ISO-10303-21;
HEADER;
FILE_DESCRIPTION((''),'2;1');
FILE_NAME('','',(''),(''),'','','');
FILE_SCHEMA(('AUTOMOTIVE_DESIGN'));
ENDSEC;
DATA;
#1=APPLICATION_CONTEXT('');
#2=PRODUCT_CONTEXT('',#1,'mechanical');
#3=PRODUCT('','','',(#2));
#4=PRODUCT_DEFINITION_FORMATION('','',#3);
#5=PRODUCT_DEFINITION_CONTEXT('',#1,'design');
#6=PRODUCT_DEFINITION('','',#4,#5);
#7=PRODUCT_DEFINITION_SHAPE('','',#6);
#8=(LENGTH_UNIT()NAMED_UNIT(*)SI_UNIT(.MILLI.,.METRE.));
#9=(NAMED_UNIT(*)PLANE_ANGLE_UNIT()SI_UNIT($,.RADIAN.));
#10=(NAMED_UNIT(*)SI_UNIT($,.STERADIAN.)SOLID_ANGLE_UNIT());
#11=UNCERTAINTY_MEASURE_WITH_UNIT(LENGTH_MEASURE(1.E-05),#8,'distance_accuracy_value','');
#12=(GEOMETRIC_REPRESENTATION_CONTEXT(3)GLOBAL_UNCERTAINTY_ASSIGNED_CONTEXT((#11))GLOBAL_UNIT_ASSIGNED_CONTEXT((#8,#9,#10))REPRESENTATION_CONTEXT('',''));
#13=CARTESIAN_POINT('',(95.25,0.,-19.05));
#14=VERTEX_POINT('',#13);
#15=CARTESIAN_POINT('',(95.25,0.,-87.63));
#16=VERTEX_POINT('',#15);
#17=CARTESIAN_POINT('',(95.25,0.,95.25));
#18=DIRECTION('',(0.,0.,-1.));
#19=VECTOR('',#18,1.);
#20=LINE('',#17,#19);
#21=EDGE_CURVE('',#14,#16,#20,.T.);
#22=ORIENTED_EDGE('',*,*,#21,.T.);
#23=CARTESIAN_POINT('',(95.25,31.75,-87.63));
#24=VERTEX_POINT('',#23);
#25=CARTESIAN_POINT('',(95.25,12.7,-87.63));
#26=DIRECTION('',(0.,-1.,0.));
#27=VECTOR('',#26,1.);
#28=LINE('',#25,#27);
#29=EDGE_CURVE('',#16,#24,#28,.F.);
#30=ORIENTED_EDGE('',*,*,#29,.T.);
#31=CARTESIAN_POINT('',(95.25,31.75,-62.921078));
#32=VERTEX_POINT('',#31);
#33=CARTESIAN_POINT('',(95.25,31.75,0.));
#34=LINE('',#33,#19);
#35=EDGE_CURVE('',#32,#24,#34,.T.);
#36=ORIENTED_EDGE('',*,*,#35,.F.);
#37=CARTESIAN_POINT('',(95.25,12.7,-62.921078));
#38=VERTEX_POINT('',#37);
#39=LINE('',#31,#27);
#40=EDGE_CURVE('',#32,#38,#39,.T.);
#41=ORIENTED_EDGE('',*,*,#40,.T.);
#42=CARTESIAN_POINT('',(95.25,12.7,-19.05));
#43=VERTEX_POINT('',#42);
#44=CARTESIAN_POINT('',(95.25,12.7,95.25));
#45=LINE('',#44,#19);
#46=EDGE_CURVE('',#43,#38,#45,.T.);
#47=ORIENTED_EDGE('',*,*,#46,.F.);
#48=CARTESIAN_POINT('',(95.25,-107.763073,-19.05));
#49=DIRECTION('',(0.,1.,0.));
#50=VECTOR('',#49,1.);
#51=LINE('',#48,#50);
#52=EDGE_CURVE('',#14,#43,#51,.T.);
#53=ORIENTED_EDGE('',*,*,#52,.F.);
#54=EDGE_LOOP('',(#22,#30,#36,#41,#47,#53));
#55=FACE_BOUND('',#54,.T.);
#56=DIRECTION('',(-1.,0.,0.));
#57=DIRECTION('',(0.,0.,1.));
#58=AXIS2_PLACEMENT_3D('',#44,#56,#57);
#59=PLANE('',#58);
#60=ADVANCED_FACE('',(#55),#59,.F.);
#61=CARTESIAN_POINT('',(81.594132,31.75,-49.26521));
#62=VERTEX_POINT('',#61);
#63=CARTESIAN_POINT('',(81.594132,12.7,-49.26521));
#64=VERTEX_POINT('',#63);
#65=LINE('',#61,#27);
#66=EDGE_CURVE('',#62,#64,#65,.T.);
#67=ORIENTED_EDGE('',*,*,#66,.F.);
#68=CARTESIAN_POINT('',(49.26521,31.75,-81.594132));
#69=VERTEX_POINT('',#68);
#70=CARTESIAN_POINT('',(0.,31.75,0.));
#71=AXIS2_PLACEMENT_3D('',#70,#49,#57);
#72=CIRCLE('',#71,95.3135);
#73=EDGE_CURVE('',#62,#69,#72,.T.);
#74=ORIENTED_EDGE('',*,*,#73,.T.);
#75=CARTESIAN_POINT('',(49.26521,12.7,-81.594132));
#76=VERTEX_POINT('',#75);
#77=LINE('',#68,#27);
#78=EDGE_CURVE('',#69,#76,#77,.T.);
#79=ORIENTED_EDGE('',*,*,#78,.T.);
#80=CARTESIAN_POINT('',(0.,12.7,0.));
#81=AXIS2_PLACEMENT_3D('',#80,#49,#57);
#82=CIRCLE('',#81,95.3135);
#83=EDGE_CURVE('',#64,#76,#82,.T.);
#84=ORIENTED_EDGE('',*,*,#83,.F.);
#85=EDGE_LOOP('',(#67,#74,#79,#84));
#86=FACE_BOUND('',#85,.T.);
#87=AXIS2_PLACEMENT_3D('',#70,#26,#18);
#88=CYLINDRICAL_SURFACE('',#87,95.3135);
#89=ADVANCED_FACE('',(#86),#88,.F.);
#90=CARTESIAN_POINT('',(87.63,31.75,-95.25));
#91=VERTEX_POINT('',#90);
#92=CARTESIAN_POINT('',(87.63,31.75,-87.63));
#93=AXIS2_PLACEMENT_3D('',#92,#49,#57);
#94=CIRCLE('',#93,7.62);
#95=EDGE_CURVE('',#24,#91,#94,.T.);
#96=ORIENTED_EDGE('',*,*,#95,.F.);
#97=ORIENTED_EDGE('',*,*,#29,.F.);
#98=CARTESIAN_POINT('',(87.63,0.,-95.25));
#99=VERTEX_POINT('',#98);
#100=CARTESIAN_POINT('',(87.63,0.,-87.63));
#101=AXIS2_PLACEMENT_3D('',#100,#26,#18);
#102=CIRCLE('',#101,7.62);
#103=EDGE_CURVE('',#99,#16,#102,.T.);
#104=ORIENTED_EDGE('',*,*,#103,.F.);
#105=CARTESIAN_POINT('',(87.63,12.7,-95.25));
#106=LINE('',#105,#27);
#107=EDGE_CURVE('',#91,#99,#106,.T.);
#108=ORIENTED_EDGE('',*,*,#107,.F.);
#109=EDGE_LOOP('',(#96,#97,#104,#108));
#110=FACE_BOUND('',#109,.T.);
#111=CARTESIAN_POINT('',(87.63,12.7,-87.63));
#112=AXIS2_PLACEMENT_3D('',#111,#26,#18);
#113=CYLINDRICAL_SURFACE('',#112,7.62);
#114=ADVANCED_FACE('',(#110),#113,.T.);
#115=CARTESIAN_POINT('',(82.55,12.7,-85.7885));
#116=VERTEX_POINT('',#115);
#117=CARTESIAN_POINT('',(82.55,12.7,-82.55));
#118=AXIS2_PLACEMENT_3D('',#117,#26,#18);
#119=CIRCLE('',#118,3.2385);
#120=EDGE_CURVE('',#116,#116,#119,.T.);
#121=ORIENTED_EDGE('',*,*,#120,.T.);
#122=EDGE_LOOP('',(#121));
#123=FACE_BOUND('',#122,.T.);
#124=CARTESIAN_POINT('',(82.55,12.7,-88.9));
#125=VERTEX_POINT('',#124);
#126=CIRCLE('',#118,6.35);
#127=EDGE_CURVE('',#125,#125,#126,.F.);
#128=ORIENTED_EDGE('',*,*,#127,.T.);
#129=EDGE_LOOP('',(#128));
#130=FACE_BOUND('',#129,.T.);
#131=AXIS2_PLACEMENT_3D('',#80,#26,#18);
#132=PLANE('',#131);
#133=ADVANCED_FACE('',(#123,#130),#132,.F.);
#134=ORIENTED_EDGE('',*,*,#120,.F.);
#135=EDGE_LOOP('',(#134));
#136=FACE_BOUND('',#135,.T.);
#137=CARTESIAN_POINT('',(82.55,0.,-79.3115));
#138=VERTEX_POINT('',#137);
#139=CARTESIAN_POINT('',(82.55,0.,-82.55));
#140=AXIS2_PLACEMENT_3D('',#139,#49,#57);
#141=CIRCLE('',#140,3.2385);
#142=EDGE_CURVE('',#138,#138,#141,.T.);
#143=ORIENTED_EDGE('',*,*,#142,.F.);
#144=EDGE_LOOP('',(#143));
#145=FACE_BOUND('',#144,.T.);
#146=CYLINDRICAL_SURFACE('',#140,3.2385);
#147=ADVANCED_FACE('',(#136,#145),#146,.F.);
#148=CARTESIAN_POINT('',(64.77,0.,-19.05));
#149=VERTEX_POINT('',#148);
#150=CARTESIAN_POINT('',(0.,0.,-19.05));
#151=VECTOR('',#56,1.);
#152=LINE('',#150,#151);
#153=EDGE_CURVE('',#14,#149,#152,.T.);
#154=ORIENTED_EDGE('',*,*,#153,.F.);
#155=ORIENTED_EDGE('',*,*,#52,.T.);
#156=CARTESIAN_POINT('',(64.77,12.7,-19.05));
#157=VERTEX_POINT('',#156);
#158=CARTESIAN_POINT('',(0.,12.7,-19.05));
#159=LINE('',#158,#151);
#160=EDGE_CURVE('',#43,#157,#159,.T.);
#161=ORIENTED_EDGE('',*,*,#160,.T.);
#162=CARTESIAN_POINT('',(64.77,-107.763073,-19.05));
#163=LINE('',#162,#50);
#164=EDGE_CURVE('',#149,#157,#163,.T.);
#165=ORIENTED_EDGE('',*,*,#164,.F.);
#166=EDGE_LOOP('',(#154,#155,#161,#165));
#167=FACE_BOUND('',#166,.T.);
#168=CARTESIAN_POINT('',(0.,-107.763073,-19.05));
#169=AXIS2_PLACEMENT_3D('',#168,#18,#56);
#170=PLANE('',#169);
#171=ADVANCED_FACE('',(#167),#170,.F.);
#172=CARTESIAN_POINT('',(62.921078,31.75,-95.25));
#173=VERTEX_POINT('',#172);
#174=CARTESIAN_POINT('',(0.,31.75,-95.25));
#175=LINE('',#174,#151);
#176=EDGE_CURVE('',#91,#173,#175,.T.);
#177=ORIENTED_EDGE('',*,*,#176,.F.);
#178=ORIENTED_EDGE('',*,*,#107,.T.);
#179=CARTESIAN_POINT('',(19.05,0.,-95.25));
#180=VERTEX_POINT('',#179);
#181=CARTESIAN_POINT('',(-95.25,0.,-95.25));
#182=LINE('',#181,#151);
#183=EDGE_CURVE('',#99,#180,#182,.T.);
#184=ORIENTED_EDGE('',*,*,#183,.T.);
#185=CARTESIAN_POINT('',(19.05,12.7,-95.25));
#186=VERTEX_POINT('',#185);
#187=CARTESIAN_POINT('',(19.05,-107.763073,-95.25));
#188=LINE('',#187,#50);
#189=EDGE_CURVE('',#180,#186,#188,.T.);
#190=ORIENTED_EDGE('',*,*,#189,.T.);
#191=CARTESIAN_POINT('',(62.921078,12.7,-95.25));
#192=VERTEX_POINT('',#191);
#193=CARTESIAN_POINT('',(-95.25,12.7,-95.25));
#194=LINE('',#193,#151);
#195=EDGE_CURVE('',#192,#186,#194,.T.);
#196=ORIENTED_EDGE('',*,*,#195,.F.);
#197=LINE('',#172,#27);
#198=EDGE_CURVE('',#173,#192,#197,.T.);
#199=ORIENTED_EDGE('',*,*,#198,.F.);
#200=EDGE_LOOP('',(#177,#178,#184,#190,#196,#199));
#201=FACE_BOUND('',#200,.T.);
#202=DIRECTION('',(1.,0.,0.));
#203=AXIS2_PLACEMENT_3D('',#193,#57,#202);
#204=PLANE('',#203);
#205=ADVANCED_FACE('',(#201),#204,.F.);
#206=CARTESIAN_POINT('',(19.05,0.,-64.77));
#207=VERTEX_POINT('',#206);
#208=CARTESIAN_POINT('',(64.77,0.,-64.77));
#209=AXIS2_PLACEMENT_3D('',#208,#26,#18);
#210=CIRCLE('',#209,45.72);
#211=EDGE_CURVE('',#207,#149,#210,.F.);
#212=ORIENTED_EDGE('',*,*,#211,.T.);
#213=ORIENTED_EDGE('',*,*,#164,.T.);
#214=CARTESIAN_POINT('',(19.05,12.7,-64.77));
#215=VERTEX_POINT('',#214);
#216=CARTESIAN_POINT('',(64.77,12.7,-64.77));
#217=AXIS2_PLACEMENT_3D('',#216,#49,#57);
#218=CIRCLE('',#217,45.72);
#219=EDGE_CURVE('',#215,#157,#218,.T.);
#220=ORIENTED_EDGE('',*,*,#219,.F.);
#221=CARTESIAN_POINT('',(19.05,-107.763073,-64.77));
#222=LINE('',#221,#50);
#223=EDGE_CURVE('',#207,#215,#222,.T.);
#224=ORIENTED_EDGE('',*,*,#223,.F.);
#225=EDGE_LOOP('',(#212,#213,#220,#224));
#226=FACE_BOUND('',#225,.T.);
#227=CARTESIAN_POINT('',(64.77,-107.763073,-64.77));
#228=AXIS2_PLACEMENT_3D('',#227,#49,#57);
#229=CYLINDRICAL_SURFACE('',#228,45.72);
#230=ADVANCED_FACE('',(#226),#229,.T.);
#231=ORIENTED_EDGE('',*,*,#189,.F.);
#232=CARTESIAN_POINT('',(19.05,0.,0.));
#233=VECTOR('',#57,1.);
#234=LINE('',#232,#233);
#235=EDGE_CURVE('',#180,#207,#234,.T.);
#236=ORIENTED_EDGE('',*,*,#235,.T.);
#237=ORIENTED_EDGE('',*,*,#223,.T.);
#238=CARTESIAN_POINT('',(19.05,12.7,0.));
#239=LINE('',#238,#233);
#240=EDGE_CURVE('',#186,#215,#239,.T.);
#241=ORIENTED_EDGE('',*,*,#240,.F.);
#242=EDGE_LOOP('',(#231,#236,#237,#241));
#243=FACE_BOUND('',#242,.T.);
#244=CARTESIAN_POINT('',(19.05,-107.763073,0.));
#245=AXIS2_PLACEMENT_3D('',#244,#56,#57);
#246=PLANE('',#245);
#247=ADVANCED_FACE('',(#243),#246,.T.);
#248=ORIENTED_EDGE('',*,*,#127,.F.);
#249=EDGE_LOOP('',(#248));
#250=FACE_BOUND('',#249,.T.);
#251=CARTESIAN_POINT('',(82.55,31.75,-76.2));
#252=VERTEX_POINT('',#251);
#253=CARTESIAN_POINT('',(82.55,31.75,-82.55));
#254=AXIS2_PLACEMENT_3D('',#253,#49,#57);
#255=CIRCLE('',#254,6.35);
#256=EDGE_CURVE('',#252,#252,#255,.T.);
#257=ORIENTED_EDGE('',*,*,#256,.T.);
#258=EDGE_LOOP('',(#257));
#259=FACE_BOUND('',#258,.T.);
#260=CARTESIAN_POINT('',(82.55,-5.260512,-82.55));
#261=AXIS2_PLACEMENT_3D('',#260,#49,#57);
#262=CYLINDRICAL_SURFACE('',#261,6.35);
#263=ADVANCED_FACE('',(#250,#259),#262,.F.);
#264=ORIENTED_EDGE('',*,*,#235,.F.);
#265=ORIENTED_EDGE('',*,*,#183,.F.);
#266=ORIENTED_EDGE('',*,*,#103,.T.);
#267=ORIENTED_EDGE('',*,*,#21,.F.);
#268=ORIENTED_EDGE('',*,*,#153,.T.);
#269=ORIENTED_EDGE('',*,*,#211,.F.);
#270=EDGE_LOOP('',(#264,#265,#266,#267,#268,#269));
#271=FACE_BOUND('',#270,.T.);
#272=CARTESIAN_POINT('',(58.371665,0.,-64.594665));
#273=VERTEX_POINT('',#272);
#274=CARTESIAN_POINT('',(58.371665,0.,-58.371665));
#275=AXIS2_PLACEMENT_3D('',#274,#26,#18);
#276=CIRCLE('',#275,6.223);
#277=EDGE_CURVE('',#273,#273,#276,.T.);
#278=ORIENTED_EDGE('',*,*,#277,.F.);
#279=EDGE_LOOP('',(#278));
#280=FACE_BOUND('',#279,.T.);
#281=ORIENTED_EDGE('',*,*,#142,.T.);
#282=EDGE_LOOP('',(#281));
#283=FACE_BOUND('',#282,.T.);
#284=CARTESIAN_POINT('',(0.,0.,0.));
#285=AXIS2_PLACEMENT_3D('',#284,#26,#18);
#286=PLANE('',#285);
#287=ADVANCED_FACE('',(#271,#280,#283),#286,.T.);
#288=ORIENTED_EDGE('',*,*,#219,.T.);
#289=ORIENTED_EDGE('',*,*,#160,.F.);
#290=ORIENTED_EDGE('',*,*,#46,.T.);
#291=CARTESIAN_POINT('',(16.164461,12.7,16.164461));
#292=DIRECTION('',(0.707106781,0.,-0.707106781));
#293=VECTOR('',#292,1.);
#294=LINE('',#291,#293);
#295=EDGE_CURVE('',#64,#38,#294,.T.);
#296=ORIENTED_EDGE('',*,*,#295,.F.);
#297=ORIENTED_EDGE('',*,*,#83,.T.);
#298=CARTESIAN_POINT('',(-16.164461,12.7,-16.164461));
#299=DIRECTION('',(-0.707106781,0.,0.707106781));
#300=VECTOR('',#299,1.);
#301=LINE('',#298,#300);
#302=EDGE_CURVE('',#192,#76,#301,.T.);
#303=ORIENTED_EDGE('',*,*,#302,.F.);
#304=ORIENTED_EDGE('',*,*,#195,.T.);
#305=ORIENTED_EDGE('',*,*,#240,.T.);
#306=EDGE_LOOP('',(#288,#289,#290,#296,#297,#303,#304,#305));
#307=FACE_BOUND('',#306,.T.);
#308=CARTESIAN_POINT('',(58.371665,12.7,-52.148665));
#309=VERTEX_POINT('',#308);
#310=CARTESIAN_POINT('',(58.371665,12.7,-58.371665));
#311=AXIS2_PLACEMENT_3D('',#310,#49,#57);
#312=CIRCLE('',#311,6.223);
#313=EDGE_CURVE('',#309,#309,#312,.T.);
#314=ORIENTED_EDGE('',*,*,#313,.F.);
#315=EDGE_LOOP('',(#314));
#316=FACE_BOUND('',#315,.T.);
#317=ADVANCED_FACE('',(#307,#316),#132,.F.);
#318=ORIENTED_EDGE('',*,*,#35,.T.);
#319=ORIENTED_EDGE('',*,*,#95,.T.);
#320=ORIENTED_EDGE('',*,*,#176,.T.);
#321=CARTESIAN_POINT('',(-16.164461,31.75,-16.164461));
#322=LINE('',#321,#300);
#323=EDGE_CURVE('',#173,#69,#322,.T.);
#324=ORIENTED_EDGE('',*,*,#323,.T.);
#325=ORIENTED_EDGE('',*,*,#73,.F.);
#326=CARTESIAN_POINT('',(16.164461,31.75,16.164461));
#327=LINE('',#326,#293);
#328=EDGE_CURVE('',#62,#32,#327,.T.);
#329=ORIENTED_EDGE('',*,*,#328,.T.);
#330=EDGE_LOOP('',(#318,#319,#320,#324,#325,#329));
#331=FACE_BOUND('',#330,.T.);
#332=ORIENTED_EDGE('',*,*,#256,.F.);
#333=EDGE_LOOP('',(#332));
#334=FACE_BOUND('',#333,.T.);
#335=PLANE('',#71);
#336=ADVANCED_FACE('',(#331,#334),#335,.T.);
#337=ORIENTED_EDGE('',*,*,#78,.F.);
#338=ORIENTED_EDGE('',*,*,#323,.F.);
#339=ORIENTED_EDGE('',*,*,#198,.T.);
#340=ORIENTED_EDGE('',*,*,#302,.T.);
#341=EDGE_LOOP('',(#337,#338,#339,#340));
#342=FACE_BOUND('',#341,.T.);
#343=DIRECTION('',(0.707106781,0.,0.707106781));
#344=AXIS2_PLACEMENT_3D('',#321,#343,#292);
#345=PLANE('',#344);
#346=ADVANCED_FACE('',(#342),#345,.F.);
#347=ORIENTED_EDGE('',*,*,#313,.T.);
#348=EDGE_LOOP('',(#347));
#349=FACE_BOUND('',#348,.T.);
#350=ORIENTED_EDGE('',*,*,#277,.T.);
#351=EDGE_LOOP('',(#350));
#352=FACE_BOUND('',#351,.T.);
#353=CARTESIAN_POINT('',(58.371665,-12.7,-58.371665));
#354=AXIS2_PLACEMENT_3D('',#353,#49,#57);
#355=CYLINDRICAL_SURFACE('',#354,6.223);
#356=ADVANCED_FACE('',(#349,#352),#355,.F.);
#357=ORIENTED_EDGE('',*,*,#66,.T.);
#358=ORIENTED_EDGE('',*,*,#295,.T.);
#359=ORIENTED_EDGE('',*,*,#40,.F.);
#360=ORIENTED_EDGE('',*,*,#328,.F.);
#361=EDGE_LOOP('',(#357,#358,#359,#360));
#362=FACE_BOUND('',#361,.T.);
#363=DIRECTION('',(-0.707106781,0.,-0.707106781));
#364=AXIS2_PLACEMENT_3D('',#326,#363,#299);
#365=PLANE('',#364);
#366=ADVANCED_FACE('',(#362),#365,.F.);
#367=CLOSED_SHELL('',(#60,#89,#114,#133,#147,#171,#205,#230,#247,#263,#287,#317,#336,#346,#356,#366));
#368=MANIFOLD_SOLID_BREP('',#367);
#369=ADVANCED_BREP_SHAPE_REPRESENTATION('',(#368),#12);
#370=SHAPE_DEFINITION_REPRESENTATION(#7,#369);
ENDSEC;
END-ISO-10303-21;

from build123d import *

# Parameters (mm, degrees)
SKETCH1_W               = 190.5
SKETCH1_H               = 190.5
BOSS_EXTRUDE1_DEPTH     = 12.7
FILLET1_R               = 7.62
BOSS_EXTRUDE3_START     = 19.05
BOSS_EXTRUDE3_DEPTH     = 19.05
CIRPATTERN1_COUNT       = 4
SKETCH8_R               = 6.223
CUT_EXTRUDE2_DEPTH      = 25.4
CUT_EXTRUDE6_DEPTH      = 137.044211564
CUT_EXTRUDE6_DEPTH_BACK = 137.044211564
SKETCH10_R              = 6.223
SKETCH11_R              = 6.35
SKETCH11_R_2            = 3.2385
CUT_EXTRUDE7_DEPTH      = 19.05
SKETCH11_4_R            = 3.2385
CUT_EXTRUDE8_DEPTH      = 139.395041457
FILLET3_R               = 12.7
BOSS_EXTRUDE5_DEPTH     = 12.7


with BuildPart() as part:
    # Sketch1 → Boss-Extrude1 (new body)
    with BuildSketch(Plane(origin=(0, 0, 0), x_dir=(1, 0, 0), z_dir=(0, 1, 0))):
        Rectangle(SKETCH1_W, SKETCH1_H)
    extrude(amount=BOSS_EXTRUDE1_DEPTH)

    # Fillet1
    fillet1_edges = [part.edges().sort_by_distance(p)[0] for p in [
        (95.25, 6.35, 95.25),
        (-95.25, 6.35, 95.25),
        (-95.25, 6.35, -95.25),
        (95.25, 6.35, -95.25),
    ]]
    fillet(fillet1_edges, radius=FILLET1_R)

    # Sketch7 → Boss-Extrude3 (add)
    with BuildSketch(Plane(origin=(0, 12.7, 0), x_dir=(1, 0, 0), z_dir=(0, 1, 0)).offset(BOSS_EXTRUDE3_START)):
        with BuildLine():
            Line((67.396822189, 67.396822189), (93.018153673, 93.018153673))
            ThreePointArc((93.018153673, 93.018153673), (90.546047755, 94.669962038), (87.63, 95.25))
            Line((87.63, 95.25), (62.921077964, 95.25))
            Line((62.921077964, 95.25), (49.265209936, 81.594131972))
            ThreePointArc((49.265209936, 81.594131972), (58.761367718, 75.045086089), (67.396822189, 67.396822189))
        make_face()
        with BuildLine():
            ThreePointArc((95.25, 87.63), (94.669962038, 90.546047755), (93.018153673, 93.018153673))
            Line((93.018153673, 93.018153673), (67.396822189, 67.396822189))
            ThreePointArc((67.396822189, 67.396822189), (75.045086089, 58.761367718), (81.594131972, 49.265209936))
            Line((81.594131972, 49.265209936), (95.25, 62.921077964))
            Line((95.25, 62.921077964), (95.25, 87.63))
        make_face()
    boss_extrude3 = extrude(amount=-BOSS_EXTRUDE3_DEPTH)

    # CirPattern1: Boss-Extrude3 ×4 about axis
    cirpattern1_axis = Axis((0, 0, 0), (0, 1, 0))
    for i in range(1, CIRPATTERN1_COUNT):
        add(boss_extrude3.rotate(cirpattern1_axis, i * 360 / CIRPATTERN1_COUNT))

    # Sketch8 → Cut-Extrude2 (cut)
    with BuildSketch(Plane(origin=(0, 12.7, 0), x_dir=(1, 0, 0), z_dir=(0, 1, 0))):
        with Locations(Location((0, 82.55, 0), (0, 0, 270))):
            Circle(SKETCH8_R)
        with Locations(Location((58.371664787, 58.371664787, 0), (0, 0, 270))):
            Circle(SKETCH8_R)
        with Locations(Location((82.55, 0, 0), (0, 0, 270))):
            Circle(SKETCH8_R)
        with Locations(Location((58.371664787, -58.371664787, 0), (0, 0, 270))):
            Circle(SKETCH8_R)
        with Locations(Location((0, -82.55, 0), (0, 0, 270))):
            Circle(SKETCH8_R)
        with Locations(Location((-58.371664787, -58.371664787, 0), (0, 0, 270))):
            Circle(SKETCH8_R)
        with Locations(Location((-82.55, 0, 0), (0, 0, 270))):
            Circle(SKETCH8_R)
        with Locations(Location((-58.371664787, 58.371664787, 0), (0, 0, 270))):
            Circle(SKETCH8_R)
    extrude(amount=-CUT_EXTRUDE2_DEPTH, mode=Mode.SUBTRACT)

    # Sketch10 → Cut-Extrude6 (cut, two sides: drawn at the far end of the back side and taken through both)
    with BuildSketch(Plane(origin=(0, 12.7, 0), x_dir=(1, 0, 0), z_dir=(0, 1, 0)).offset(-CUT_EXTRUDE6_DEPTH_BACK)):
        with BuildLine():
            Line((95.25, -62.921077964), (95.25, 38.1))
            Line((95.25, 38.1), (38.1, 38.1))
            Line((38.1, 38.1), (38.1, 95.25))
            Line((38.1, 95.25), (-62.921077964, 95.25))
            Line((-62.921077964, 95.25), (-49.265209936, 81.594131972))
            ThreePointArc((-49.265209936, 81.594131972), (-67.396822189, 67.396822189), (-81.594131972, 49.265209936))
            Line((-81.594131972, 49.265209936), (-95.25, 62.921077964))
            Line((-95.25, 62.921077964), (-95.25, -62.921077964))
            Line((-95.25, -62.921077964), (-81.594131972, -49.265209936))
            ThreePointArc((-81.594131972, -49.265209936), (-67.396822189, -67.396822189), (-49.265209936, -81.594131972))
            Line((-49.265209936, -81.594131972), (-62.921077964, -95.25))
            Line((-62.921077964, -95.25), (62.921077964, -95.25))
            Line((62.921077964, -95.25), (49.265209936, -81.594131972))
            ThreePointArc((49.265209936, -81.594131972), (67.396822189, -67.396822189), (81.594131972, -49.265209936))
            Line((81.594131972, -49.265209936), (95.25, -62.921077964))
        make_face()
        with Locations((-58.371664787, -58.371664787)):
            Circle(SKETCH10_R, mode=Mode.SUBTRACT)
        with Locations((-82.55, 0)):
            Circle(SKETCH10_R, mode=Mode.SUBTRACT)
        with Locations((0, -82.55)):
            Circle(SKETCH10_R, mode=Mode.SUBTRACT)
        with Locations((58.371664787, -58.371664787)):
            Circle(SKETCH10_R, mode=Mode.SUBTRACT)
        with Locations((-58.371664787, 58.371664787)):
            Circle(SKETCH10_R, mode=Mode.SUBTRACT)
        with Locations((0, 82.55)):
            Circle(SKETCH10_R, mode=Mode.SUBTRACT)
        with Locations((82.55, 0)):
            Circle(SKETCH10_R, mode=Mode.SUBTRACT)
    extrude(amount=CUT_EXTRUDE6_DEPTH + CUT_EXTRUDE6_DEPTH_BACK, mode=Mode.SUBTRACT)


with BuildPart() as cut_extrude6_kept_piece:
    # of the separate pieces the step leaves, the one the design keeps (cut_extrude6_pieces_kept)
    add(part.part.solids().sort_by_distance((38.1, 0, -38.1))[0])

    # Sketch11 → Cut-Extrude7 (cut)
    with BuildSketch(Plane(origin=(0, 31.75, 0), x_dir=(1, 0, 0), z_dir=(0, 1, 0))):
        with Locations(Location((82.55, 82.55, 0), (0, 0, 270))):
            Circle(SKETCH11_R)
        with Locations(Location((82.55, 82.55, 0), (0, 0, 270))):
            Circle(SKETCH11_R_2, mode=Mode.SUBTRACT)
    extrude(amount=-CUT_EXTRUDE7_DEPTH, mode=Mode.SUBTRACT)

    # Sketch11<4> → Cut-Extrude8 (cut, through all)
    with BuildSketch(Plane(origin=(0, 31.75, 0), x_dir=(1, 0, 0), z_dir=(0, 1, 0))):
        with Locations(Location((82.55, 82.55, 0), (0, 0, 270))):
            Circle(SKETCH11_4_R)
    extrude(amount=-CUT_EXTRUDE8_DEPTH, mode=Mode.SUBTRACT)

    # Fillet3
    fillet3_edges = [cut_extrude6_kept_piece.edges().sort_by_distance(p)[0] for p in [
        (38.1, 6.35, -95.25),
        (38.1, 6.35, -38.1),
        (95.25, 6.35, -38.1),
    ]]
    fillet(fillet3_edges, radius=FILLET3_R)

    # Sketch12 → Boss-Extrude5 (add)
    with BuildSketch(Plane(origin=(0, 12.7, 0), x_dir=(1, 0, 0), z_dir=(0, 1, 0))):
        with BuildLine():
            ThreePointArc((38.1, 82.55), (41.819743879, 91.530256121), (50.8, 95.25))
            Line((50.8, 95.25), (19.05, 95.25))
            Line((19.05, 95.25), (19.05, 64.77))
            Line((19.05, 64.77), (38.1, 64.77))
            Line((38.1, 64.77), (38.1, 82.55))
        make_face()
        with BuildLine():
            Line((82.55, 38.1), (64.77, 38.1))
            Line((64.77, 38.1), (64.77, 19.05))
            Line((64.77, 19.05), (95.25, 19.05))
            Line((95.25, 19.05), (95.25, 50.8))
            ThreePointArc((95.25, 50.8), (91.530256121, 41.819743879), (82.55, 38.1))
        make_face()
        with BuildLine():
            Line((38.1, 50.8), (38.1, 64.77))
            Line((38.1, 64.77), (19.05, 64.77))
            ThreePointArc((19.05, 64.77), (32.441077964, 32.441077964), (64.77, 19.05))
            Line((64.77, 19.05), (64.77, 38.1))
            Line((64.77, 38.1), (50.8, 38.1))
            ThreePointArc((50.8, 38.1), (41.819743879, 41.819743879), (38.1, 50.8))
        make_face()
    extrude(amount=-BOSS_EXTRUDE5_DEPTH)


solid = cut_extrude6_kept_piece.part
